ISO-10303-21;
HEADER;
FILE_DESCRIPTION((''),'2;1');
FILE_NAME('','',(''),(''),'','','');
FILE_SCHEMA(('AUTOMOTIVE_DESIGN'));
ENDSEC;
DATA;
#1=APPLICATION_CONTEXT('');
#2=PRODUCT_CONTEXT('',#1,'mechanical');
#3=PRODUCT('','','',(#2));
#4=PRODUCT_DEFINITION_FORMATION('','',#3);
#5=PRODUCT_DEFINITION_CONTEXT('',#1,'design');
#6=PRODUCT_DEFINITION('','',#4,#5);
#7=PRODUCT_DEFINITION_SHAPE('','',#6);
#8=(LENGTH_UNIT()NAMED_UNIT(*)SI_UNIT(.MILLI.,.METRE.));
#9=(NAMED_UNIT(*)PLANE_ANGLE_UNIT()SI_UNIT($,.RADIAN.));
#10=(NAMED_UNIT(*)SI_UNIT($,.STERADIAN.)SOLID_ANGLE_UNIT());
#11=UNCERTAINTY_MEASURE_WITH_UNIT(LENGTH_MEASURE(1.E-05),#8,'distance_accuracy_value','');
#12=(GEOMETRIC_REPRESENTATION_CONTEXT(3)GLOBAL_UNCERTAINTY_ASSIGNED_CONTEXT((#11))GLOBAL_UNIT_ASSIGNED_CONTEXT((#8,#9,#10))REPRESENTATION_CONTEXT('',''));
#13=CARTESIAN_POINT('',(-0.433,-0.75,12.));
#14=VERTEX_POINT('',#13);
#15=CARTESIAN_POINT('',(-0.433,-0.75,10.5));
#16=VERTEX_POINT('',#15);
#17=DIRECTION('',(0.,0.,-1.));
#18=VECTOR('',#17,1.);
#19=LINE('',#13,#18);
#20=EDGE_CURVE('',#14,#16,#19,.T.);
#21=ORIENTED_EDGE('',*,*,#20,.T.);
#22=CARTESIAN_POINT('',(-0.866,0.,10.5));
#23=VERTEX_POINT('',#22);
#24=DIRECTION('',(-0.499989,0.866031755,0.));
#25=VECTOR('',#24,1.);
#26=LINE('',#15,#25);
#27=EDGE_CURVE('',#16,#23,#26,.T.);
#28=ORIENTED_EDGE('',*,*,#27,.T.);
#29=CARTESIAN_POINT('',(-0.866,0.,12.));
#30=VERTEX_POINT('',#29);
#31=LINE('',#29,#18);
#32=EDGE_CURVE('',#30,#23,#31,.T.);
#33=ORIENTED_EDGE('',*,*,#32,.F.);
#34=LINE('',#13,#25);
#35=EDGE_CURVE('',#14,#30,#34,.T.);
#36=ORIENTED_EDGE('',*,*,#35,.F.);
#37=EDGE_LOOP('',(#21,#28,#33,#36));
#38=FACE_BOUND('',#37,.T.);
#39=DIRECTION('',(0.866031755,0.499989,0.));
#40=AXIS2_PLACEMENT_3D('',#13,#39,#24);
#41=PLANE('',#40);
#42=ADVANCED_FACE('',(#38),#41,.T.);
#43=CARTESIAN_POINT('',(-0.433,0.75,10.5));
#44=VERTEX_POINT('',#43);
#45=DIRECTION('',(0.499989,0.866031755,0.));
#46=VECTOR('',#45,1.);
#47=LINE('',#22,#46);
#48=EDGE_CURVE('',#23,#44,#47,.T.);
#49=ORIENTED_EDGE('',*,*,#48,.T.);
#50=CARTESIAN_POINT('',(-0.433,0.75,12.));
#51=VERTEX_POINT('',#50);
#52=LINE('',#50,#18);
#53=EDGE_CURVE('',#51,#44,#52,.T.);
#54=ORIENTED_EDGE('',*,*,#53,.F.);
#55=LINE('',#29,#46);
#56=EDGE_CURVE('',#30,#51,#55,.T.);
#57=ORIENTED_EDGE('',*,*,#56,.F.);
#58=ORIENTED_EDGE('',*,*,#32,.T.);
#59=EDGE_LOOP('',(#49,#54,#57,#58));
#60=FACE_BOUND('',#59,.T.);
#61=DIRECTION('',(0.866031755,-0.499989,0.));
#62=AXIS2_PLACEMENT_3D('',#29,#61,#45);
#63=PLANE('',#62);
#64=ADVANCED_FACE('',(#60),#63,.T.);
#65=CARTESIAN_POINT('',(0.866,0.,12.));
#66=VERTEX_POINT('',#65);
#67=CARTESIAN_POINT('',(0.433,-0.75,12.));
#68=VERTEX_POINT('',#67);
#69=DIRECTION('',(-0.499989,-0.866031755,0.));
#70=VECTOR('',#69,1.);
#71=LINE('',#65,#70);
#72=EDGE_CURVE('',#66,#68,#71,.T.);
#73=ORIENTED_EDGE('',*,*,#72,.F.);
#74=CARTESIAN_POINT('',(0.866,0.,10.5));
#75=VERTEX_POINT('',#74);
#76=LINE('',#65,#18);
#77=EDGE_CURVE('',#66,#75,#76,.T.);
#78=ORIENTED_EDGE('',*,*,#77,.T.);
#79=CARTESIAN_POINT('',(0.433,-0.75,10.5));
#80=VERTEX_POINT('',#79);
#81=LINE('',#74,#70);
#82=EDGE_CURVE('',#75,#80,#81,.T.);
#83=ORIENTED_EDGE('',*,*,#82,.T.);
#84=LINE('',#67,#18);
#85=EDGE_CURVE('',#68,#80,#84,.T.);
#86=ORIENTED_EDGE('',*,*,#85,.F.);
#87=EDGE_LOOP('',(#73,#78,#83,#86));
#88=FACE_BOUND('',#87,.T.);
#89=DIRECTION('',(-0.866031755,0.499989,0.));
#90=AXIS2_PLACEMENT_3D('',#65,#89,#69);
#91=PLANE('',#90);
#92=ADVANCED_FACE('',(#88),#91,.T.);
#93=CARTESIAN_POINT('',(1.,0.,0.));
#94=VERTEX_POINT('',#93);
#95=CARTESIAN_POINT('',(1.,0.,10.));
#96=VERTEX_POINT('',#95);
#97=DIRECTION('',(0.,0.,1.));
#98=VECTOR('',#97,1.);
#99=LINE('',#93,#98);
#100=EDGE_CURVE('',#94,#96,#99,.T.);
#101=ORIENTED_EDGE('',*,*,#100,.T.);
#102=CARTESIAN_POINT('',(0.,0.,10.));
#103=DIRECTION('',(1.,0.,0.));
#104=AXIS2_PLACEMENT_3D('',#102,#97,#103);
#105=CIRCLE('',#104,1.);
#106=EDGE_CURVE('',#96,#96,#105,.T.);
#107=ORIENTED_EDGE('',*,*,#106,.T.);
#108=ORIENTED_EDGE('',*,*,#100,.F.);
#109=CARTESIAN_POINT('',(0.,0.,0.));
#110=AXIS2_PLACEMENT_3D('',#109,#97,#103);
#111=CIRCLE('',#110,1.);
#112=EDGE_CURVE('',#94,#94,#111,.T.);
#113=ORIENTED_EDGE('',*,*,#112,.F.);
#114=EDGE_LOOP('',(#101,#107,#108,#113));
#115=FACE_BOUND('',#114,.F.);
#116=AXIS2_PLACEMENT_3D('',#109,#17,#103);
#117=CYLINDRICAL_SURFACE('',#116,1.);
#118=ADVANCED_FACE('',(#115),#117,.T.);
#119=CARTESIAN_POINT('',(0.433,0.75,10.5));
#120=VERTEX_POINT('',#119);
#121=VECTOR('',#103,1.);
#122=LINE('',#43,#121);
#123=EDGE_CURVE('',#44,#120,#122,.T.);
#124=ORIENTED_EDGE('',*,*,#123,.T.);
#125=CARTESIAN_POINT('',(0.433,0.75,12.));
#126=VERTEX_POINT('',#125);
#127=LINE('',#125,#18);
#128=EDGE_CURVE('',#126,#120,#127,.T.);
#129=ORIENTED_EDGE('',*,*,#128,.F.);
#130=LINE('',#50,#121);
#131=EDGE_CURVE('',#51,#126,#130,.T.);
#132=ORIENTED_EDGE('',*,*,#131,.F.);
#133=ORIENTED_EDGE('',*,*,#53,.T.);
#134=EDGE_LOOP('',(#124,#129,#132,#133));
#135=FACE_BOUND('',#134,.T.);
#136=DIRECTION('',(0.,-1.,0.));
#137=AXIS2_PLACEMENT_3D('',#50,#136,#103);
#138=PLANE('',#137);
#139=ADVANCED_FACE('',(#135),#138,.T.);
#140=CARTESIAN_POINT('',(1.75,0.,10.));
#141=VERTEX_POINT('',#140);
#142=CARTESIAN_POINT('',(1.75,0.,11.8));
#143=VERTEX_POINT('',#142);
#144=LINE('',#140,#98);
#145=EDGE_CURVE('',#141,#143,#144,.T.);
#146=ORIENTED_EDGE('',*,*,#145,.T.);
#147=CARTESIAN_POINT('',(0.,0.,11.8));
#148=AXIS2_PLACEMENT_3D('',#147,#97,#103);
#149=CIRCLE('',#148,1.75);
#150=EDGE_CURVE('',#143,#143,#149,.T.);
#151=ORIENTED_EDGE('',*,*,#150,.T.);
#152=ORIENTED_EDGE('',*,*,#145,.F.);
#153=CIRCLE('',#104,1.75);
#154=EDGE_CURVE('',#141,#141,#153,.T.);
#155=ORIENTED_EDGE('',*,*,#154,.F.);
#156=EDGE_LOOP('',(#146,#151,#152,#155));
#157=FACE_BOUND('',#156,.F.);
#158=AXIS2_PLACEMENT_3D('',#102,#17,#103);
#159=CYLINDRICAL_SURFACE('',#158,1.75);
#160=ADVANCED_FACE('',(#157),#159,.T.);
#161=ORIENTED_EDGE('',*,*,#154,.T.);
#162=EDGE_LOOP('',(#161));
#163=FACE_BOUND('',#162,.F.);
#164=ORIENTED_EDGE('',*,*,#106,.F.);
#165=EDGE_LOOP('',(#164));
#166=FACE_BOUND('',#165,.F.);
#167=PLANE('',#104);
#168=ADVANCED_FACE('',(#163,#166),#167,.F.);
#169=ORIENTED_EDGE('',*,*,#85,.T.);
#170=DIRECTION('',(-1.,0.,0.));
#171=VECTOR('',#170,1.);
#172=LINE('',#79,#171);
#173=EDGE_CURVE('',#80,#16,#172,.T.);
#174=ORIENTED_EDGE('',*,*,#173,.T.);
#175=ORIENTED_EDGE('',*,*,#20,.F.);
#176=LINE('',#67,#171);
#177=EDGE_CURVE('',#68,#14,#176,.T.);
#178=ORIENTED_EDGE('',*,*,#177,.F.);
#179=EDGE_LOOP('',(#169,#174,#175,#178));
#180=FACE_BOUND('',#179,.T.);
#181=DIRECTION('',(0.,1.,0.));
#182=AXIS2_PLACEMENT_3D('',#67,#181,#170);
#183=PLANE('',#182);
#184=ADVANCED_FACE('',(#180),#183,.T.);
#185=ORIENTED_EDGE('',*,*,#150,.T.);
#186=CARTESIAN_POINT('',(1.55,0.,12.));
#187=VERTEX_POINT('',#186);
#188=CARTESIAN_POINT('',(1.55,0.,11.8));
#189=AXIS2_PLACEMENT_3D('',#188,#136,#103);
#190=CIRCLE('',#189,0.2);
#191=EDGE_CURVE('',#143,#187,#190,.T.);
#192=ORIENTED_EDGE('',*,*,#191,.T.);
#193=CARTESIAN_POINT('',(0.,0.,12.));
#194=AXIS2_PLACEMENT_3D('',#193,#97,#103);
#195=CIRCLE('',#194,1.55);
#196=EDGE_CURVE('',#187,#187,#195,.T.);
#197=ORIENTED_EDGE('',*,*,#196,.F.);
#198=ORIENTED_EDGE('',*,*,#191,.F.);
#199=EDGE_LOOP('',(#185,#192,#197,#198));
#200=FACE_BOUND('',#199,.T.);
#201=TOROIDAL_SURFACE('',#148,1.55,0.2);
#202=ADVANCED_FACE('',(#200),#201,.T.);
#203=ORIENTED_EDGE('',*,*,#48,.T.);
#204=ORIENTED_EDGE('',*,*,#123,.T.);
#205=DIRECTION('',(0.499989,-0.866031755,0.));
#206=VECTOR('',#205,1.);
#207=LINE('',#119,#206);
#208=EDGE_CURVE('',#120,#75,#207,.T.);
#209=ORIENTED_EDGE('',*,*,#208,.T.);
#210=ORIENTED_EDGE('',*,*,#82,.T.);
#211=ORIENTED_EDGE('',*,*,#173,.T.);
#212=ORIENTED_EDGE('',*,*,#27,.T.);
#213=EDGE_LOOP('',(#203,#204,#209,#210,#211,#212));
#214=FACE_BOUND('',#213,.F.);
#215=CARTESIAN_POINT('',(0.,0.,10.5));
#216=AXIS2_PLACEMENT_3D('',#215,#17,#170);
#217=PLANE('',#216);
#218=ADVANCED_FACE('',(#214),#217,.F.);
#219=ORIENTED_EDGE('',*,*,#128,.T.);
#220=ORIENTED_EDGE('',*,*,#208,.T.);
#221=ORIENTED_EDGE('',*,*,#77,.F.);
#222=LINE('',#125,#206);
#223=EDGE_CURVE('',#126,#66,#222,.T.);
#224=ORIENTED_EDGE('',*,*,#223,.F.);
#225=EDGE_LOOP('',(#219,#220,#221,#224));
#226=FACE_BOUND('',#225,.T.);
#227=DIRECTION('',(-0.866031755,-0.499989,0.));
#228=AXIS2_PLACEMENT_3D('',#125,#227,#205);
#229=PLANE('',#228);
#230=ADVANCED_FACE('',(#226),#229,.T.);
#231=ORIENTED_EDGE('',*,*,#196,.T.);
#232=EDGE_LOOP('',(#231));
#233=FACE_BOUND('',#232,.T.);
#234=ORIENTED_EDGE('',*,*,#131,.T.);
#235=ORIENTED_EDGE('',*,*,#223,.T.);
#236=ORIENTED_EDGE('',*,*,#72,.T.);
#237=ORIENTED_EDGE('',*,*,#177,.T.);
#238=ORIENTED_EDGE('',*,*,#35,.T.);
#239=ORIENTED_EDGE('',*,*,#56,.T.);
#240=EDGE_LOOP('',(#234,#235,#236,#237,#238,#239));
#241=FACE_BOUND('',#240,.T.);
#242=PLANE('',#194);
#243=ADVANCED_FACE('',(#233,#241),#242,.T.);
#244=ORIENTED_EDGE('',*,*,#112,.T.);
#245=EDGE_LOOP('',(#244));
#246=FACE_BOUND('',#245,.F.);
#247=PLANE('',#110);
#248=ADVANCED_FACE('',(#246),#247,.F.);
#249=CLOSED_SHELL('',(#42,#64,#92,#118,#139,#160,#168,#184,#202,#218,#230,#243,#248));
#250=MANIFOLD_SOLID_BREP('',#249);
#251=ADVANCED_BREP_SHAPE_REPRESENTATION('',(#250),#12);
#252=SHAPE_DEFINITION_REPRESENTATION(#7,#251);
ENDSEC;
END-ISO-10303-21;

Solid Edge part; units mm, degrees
sketch "Sketch1" plane through (0, 0, 0) normal (0, 0, 1) x (1, 0, 0)
  circle A0 centre (0, 0) radius 1
extrude "Protrusion1" add sketch "Sketch1" along normal blind 10
sketch "Sketch2" plane through (0, 0, 10) normal (0, 0, 1) x (1, 0, 0)
  circle A0 centre (0, 0) radius 1.75
extrude "ExtrudedProtrusion_2" add sketch "Sketch2" along normal blind 2
sketch "Sketch3" plane through (0, 0, 12) normal (0, 0, 1) x (1, 0, 0)
  line L0 (0.433, 0.75) -> (0.866, 0)
  line L1 (0.866, 0) -> (0.433, -0.75)
  line L2 (0.433, -0.75) -> (-0.433, -0.75)
  line L3 (-0.433, -0.75) -> (-0.866, 0)
  line L4 (-0.866, 0) -> (-0.433, 0.75)
  line L5 (-0.433, 0.75) -> (0.433, 0.75)
extrude "ExtrudedCutout_1" cut sketch "Sketch3" against normal blind 1.5
fillet "Round_1" radius 0.2 1 edges at (-1.75, 0, 12)
cosmetic_thread "Thread1" size "M2"
